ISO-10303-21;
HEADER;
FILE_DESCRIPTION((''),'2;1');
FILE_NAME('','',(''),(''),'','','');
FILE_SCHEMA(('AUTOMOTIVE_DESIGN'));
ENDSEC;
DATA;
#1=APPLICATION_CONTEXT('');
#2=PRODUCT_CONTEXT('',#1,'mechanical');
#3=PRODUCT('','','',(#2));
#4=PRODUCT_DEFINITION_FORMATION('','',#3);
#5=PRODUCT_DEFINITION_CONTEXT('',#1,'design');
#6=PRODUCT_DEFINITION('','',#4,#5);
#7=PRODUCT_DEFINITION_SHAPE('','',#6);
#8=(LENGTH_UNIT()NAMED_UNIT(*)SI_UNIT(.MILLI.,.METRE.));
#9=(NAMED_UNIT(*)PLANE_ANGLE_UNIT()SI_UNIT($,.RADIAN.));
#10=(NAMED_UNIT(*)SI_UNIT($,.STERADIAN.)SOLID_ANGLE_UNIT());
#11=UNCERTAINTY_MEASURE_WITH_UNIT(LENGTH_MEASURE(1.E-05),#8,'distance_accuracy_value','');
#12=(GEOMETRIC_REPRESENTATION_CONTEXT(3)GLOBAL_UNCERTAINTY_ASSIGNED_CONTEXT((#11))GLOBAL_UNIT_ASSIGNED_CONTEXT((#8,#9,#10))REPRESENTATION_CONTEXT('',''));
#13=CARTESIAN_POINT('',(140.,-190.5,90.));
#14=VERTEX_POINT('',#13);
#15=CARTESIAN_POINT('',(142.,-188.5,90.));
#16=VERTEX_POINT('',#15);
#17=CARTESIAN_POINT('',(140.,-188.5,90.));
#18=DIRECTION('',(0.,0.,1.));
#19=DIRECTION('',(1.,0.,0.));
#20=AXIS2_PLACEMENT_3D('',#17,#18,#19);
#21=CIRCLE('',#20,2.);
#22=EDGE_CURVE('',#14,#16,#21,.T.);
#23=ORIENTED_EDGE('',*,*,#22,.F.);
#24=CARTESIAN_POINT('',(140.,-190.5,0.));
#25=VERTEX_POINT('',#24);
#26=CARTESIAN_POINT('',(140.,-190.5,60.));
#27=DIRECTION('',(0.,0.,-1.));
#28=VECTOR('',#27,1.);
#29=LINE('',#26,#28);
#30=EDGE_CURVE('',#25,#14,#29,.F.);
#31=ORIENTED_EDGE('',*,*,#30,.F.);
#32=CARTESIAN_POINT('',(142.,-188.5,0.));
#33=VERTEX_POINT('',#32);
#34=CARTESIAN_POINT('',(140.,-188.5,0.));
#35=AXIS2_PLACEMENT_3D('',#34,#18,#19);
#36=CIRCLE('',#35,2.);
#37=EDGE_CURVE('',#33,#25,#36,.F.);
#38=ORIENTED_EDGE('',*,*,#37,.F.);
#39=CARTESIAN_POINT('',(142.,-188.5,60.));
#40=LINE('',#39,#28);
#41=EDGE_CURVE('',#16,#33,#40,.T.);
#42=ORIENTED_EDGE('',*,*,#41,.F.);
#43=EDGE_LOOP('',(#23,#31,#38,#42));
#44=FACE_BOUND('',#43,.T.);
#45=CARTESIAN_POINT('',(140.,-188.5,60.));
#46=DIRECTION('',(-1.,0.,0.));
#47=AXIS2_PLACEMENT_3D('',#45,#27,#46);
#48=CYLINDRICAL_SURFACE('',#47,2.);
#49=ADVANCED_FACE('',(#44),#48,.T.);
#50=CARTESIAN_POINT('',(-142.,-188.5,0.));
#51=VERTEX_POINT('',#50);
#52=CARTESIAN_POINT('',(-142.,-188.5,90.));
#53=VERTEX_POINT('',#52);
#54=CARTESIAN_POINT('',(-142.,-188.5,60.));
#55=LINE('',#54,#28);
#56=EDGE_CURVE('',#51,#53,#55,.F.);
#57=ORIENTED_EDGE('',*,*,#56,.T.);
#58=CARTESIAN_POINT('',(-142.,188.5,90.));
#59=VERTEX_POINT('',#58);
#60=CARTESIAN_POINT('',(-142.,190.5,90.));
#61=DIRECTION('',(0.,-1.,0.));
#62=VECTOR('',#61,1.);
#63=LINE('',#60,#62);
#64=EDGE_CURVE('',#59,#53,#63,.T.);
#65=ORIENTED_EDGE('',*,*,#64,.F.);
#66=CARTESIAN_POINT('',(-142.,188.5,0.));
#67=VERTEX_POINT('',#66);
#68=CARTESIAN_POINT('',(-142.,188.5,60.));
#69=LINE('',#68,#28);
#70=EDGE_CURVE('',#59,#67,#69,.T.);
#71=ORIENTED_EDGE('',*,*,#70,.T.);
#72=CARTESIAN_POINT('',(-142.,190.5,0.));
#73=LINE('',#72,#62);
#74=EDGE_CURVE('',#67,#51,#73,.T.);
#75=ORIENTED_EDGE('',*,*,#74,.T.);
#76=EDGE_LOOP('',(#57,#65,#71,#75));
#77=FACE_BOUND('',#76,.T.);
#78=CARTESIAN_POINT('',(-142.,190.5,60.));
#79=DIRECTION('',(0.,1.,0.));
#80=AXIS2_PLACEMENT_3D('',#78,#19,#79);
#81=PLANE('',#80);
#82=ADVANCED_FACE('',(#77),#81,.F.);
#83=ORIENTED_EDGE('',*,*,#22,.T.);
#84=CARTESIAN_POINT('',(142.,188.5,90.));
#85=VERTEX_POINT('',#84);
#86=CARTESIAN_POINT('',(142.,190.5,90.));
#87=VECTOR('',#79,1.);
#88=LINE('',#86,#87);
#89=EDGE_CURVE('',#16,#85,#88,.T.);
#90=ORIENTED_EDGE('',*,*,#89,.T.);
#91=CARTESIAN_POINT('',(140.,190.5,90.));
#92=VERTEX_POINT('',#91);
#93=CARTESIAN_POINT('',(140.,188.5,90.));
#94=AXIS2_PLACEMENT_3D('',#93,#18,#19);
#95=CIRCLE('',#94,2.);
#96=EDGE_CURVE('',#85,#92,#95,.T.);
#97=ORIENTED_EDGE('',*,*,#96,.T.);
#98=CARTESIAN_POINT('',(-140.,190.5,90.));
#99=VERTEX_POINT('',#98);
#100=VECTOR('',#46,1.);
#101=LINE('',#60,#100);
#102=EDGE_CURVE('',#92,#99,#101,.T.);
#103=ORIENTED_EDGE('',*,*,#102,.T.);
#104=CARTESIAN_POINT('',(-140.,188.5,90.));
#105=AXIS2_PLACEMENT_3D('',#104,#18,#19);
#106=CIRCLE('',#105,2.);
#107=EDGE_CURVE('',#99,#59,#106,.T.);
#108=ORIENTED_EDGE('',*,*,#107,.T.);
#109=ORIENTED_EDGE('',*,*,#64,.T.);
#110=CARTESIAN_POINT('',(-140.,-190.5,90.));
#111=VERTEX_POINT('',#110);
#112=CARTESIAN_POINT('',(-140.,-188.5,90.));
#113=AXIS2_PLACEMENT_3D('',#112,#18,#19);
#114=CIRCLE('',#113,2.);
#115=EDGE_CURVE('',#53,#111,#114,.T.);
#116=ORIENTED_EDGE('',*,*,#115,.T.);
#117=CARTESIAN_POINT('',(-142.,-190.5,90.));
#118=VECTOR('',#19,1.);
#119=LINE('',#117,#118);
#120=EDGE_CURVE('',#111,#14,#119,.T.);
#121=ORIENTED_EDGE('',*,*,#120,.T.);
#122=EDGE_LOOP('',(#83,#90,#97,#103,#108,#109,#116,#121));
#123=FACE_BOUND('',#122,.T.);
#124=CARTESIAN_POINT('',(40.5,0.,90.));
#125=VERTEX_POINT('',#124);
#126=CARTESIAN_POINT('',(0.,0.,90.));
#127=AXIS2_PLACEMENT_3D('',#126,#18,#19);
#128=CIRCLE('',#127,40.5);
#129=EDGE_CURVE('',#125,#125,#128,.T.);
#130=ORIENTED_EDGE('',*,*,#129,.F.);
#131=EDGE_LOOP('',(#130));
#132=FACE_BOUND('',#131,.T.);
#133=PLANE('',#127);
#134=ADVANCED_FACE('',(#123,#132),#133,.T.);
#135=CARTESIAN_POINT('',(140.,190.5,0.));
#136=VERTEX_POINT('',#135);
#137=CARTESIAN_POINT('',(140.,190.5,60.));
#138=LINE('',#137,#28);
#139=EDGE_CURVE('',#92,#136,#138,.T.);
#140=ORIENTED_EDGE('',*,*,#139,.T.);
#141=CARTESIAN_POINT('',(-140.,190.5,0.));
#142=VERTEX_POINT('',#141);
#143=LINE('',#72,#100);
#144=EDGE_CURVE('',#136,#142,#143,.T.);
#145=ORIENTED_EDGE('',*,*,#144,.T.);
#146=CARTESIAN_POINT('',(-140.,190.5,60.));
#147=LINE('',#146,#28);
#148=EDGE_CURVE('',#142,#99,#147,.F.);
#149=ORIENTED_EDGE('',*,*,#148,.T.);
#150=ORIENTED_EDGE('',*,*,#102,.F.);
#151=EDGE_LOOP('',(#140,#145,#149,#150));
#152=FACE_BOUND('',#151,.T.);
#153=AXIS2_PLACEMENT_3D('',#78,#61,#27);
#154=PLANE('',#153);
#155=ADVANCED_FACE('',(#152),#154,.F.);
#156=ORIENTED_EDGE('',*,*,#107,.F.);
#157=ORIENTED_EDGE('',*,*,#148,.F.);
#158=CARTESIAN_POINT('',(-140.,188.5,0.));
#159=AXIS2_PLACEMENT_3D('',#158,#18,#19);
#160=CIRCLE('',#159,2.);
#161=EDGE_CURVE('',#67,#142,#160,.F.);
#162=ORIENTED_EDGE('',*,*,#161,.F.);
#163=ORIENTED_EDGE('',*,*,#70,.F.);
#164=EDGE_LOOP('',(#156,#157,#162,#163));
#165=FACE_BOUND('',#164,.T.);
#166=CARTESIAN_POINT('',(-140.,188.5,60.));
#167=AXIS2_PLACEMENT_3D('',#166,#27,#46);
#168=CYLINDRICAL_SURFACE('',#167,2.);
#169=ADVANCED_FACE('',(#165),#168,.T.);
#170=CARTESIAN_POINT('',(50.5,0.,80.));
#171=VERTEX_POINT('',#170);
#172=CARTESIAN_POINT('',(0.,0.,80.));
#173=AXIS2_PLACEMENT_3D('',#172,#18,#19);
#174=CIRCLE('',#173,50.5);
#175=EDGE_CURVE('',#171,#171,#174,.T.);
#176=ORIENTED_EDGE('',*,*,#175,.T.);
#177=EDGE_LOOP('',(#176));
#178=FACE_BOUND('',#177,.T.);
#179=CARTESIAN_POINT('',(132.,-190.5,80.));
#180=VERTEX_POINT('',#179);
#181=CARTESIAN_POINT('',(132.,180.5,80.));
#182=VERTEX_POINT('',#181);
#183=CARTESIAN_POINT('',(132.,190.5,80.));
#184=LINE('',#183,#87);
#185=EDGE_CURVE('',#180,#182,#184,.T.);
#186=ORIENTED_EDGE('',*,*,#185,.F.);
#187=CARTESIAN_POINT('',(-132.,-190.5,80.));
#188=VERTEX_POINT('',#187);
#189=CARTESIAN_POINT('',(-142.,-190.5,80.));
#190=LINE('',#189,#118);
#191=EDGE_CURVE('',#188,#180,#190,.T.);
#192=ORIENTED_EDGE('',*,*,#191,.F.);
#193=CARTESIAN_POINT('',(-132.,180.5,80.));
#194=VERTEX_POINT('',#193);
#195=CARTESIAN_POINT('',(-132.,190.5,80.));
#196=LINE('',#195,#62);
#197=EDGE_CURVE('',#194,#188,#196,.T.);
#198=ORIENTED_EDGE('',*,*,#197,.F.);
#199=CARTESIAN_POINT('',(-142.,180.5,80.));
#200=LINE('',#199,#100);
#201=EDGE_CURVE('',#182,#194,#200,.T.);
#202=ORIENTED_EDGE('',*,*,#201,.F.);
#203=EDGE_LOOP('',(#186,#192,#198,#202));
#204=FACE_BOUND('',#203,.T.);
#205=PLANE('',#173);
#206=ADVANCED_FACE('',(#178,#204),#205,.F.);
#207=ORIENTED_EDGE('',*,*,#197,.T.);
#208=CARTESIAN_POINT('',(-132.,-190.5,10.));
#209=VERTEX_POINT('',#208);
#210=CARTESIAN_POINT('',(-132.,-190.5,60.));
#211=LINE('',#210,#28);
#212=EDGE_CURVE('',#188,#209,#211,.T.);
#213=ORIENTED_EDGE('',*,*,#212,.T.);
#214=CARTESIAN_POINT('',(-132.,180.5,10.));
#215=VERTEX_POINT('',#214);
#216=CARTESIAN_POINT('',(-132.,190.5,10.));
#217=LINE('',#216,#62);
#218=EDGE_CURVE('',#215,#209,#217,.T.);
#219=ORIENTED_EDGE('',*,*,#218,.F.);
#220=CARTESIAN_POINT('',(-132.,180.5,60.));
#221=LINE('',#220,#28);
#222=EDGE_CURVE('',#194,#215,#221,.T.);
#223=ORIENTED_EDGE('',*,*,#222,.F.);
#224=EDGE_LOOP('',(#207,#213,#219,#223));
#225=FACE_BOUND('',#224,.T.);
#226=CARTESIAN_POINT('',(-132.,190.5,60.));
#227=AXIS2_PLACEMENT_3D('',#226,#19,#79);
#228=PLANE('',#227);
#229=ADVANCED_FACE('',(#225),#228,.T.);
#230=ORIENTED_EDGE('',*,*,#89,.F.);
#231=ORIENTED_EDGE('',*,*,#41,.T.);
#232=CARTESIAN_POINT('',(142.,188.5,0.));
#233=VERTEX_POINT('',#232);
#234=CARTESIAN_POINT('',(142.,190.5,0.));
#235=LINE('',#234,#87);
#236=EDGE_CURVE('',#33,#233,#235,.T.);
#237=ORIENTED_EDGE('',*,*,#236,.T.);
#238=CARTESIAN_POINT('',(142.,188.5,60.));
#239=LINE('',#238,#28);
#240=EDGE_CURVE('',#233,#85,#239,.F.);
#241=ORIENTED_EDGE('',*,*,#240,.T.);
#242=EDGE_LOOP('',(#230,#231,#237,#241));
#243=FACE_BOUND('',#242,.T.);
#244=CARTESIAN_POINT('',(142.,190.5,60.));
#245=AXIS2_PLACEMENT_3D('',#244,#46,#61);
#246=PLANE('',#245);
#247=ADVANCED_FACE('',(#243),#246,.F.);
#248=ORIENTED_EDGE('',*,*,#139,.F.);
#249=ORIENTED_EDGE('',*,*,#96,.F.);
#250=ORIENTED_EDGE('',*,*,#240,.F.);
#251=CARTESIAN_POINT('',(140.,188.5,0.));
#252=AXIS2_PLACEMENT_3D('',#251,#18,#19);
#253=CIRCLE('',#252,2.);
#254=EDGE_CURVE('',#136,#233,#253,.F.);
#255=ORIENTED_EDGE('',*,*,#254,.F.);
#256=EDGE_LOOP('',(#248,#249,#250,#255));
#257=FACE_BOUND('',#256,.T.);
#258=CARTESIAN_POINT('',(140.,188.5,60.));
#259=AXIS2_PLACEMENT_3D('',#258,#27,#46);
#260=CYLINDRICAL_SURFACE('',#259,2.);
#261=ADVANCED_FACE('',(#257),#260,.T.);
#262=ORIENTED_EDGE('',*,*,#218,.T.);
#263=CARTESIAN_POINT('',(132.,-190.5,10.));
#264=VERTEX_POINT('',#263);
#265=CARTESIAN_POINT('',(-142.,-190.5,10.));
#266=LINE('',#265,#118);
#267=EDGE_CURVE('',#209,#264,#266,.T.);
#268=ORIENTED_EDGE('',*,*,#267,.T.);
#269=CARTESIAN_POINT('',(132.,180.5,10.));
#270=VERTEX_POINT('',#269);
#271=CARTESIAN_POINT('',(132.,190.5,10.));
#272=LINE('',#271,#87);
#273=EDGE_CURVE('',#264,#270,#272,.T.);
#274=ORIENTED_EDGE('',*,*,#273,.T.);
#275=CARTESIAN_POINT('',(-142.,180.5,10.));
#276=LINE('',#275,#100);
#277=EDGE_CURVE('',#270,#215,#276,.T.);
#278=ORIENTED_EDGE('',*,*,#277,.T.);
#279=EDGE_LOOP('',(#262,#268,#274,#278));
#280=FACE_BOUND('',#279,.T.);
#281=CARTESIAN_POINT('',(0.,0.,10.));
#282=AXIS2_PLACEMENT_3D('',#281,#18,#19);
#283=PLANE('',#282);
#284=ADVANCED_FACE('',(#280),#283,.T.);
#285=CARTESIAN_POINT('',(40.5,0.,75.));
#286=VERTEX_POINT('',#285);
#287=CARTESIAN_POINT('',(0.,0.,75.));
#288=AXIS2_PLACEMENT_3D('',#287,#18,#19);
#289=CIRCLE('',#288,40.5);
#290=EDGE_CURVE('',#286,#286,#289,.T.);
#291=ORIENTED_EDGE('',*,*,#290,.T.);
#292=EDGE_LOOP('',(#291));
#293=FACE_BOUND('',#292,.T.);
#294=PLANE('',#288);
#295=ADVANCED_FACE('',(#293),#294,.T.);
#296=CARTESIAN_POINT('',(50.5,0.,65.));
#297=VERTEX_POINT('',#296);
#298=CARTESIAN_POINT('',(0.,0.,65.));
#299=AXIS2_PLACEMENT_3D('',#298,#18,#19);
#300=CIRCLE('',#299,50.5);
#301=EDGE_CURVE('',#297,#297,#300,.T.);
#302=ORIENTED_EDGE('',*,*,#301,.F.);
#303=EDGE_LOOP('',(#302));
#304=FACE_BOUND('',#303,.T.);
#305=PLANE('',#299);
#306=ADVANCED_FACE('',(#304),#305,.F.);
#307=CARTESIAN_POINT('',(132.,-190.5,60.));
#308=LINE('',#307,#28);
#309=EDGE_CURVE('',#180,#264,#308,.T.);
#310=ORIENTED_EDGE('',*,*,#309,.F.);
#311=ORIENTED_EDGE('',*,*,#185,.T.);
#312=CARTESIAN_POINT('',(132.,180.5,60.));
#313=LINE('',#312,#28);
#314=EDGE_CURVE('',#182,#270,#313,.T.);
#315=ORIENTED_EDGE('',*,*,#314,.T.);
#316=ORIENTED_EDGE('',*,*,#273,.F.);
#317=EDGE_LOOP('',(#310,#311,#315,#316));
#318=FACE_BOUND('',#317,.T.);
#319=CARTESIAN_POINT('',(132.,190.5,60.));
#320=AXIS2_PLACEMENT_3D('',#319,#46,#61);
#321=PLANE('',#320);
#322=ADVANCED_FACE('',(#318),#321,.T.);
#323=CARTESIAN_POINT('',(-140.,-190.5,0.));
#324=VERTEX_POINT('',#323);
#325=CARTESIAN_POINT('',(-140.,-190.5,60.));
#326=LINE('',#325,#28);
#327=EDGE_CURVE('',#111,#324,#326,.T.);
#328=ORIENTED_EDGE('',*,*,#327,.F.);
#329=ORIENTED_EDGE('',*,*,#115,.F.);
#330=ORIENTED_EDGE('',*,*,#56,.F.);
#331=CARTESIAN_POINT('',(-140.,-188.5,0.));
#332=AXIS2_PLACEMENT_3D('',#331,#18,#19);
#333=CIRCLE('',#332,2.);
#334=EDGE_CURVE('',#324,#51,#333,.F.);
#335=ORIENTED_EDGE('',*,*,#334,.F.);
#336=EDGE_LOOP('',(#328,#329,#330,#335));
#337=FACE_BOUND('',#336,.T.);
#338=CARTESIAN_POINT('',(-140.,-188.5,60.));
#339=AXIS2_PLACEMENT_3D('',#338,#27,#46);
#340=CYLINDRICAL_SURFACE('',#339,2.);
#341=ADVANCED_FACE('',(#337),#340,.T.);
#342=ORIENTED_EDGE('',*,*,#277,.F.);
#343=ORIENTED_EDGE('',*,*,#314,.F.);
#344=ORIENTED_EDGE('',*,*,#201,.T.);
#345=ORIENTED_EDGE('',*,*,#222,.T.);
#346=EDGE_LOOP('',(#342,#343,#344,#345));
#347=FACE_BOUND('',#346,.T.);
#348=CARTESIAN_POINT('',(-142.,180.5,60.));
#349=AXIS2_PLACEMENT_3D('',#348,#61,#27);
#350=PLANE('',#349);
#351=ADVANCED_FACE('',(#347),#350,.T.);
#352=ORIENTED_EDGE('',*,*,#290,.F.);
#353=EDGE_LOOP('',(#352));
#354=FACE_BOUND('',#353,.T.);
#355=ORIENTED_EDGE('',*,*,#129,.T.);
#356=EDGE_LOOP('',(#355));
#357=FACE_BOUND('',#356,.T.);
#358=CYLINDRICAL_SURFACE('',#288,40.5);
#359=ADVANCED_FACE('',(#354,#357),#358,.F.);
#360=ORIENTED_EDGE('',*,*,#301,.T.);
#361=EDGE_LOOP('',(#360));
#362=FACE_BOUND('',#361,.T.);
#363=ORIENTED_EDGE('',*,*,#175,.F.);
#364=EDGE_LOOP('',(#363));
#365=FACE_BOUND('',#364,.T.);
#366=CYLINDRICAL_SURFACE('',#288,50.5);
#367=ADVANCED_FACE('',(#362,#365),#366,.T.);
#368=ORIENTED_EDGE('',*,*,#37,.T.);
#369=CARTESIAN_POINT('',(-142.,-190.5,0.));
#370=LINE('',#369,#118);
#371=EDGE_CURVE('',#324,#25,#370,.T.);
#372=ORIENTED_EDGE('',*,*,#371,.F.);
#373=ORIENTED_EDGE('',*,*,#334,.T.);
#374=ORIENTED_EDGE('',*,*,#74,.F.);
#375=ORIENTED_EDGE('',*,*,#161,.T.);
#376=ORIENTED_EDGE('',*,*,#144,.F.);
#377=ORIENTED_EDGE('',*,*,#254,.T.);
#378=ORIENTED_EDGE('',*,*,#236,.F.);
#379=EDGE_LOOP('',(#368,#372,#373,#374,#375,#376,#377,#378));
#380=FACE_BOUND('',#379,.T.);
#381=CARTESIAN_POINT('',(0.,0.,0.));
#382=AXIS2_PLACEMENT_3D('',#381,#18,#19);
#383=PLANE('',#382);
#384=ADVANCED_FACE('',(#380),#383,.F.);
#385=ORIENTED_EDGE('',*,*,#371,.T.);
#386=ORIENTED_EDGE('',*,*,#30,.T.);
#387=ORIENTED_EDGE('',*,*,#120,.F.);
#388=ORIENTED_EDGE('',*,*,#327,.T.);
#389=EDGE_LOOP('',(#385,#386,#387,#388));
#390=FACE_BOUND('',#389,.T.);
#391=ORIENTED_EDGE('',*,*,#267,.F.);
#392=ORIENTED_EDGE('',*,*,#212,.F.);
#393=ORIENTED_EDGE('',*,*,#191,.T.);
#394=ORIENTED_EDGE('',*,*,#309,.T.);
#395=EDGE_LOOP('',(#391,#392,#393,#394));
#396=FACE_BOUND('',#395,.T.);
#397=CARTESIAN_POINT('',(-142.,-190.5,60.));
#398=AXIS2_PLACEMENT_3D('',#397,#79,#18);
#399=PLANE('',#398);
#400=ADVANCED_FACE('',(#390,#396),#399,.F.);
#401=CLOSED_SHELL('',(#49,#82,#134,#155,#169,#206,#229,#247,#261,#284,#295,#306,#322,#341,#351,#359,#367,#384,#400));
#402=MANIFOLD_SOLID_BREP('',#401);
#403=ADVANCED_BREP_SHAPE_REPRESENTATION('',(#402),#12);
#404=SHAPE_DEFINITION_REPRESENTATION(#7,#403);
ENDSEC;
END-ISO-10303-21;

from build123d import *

# Parameters (mm, degrees)
SKETCH1_W           = 284
SKETCH1_H           = 381
BOSS_EXTRUDE1_DEPTH = 60
SKETCH3_W           = 284
SKETCH3_H           = 381
BOSS_EXTRUDE2_DEPTH = 30
SKETCH4_R           = 40.5
CUT_EXTRUDE1_DEPTH  = 15
SHELL1_T            = -10
FILLET1_R           = 2


with BuildPart() as part:
    # Sketch1 → Boss-Extrude1 (new body)
    with BuildSketch(Plane.XY):
        Rectangle(SKETCH1_W, SKETCH1_H)
    extrude(amount=BOSS_EXTRUDE1_DEPTH)

    # Sketch3 → Boss-Extrude2 (add)
    with BuildSketch(Plane.XY.offset(60)):
        Rectangle(SKETCH3_W, SKETCH3_H)
    extrude(amount=BOSS_EXTRUDE2_DEPTH)

    # Sketch4 → Cut-Extrude1 (cut)
    with BuildSketch(Plane.XY.offset(90)):
        Circle(SKETCH4_R)
    extrude(amount=-CUT_EXTRUDE1_DEPTH, mode=Mode.SUBTRACT)

    # Shell1
    shell1_openings = [part.faces().sort_by_distance(p)[0] for p in [
        (0, -190.5, 45),
    ]]
    offset(amount=SHELL1_T, openings=shell1_openings, kind=Kind.INTERSECTION)

    # Fillet1
    fillet1_edges = [part.edges().sort_by_distance(p)[0] for p in [
        (142, -190.5, 45),
        (-142, -190.5, 45),
        (-142, 190.5, 45),
        (142, 190.5, 45),
    ]]
    fillet(fillet1_edges, radius=FILLET1_R)


solid = part.part
